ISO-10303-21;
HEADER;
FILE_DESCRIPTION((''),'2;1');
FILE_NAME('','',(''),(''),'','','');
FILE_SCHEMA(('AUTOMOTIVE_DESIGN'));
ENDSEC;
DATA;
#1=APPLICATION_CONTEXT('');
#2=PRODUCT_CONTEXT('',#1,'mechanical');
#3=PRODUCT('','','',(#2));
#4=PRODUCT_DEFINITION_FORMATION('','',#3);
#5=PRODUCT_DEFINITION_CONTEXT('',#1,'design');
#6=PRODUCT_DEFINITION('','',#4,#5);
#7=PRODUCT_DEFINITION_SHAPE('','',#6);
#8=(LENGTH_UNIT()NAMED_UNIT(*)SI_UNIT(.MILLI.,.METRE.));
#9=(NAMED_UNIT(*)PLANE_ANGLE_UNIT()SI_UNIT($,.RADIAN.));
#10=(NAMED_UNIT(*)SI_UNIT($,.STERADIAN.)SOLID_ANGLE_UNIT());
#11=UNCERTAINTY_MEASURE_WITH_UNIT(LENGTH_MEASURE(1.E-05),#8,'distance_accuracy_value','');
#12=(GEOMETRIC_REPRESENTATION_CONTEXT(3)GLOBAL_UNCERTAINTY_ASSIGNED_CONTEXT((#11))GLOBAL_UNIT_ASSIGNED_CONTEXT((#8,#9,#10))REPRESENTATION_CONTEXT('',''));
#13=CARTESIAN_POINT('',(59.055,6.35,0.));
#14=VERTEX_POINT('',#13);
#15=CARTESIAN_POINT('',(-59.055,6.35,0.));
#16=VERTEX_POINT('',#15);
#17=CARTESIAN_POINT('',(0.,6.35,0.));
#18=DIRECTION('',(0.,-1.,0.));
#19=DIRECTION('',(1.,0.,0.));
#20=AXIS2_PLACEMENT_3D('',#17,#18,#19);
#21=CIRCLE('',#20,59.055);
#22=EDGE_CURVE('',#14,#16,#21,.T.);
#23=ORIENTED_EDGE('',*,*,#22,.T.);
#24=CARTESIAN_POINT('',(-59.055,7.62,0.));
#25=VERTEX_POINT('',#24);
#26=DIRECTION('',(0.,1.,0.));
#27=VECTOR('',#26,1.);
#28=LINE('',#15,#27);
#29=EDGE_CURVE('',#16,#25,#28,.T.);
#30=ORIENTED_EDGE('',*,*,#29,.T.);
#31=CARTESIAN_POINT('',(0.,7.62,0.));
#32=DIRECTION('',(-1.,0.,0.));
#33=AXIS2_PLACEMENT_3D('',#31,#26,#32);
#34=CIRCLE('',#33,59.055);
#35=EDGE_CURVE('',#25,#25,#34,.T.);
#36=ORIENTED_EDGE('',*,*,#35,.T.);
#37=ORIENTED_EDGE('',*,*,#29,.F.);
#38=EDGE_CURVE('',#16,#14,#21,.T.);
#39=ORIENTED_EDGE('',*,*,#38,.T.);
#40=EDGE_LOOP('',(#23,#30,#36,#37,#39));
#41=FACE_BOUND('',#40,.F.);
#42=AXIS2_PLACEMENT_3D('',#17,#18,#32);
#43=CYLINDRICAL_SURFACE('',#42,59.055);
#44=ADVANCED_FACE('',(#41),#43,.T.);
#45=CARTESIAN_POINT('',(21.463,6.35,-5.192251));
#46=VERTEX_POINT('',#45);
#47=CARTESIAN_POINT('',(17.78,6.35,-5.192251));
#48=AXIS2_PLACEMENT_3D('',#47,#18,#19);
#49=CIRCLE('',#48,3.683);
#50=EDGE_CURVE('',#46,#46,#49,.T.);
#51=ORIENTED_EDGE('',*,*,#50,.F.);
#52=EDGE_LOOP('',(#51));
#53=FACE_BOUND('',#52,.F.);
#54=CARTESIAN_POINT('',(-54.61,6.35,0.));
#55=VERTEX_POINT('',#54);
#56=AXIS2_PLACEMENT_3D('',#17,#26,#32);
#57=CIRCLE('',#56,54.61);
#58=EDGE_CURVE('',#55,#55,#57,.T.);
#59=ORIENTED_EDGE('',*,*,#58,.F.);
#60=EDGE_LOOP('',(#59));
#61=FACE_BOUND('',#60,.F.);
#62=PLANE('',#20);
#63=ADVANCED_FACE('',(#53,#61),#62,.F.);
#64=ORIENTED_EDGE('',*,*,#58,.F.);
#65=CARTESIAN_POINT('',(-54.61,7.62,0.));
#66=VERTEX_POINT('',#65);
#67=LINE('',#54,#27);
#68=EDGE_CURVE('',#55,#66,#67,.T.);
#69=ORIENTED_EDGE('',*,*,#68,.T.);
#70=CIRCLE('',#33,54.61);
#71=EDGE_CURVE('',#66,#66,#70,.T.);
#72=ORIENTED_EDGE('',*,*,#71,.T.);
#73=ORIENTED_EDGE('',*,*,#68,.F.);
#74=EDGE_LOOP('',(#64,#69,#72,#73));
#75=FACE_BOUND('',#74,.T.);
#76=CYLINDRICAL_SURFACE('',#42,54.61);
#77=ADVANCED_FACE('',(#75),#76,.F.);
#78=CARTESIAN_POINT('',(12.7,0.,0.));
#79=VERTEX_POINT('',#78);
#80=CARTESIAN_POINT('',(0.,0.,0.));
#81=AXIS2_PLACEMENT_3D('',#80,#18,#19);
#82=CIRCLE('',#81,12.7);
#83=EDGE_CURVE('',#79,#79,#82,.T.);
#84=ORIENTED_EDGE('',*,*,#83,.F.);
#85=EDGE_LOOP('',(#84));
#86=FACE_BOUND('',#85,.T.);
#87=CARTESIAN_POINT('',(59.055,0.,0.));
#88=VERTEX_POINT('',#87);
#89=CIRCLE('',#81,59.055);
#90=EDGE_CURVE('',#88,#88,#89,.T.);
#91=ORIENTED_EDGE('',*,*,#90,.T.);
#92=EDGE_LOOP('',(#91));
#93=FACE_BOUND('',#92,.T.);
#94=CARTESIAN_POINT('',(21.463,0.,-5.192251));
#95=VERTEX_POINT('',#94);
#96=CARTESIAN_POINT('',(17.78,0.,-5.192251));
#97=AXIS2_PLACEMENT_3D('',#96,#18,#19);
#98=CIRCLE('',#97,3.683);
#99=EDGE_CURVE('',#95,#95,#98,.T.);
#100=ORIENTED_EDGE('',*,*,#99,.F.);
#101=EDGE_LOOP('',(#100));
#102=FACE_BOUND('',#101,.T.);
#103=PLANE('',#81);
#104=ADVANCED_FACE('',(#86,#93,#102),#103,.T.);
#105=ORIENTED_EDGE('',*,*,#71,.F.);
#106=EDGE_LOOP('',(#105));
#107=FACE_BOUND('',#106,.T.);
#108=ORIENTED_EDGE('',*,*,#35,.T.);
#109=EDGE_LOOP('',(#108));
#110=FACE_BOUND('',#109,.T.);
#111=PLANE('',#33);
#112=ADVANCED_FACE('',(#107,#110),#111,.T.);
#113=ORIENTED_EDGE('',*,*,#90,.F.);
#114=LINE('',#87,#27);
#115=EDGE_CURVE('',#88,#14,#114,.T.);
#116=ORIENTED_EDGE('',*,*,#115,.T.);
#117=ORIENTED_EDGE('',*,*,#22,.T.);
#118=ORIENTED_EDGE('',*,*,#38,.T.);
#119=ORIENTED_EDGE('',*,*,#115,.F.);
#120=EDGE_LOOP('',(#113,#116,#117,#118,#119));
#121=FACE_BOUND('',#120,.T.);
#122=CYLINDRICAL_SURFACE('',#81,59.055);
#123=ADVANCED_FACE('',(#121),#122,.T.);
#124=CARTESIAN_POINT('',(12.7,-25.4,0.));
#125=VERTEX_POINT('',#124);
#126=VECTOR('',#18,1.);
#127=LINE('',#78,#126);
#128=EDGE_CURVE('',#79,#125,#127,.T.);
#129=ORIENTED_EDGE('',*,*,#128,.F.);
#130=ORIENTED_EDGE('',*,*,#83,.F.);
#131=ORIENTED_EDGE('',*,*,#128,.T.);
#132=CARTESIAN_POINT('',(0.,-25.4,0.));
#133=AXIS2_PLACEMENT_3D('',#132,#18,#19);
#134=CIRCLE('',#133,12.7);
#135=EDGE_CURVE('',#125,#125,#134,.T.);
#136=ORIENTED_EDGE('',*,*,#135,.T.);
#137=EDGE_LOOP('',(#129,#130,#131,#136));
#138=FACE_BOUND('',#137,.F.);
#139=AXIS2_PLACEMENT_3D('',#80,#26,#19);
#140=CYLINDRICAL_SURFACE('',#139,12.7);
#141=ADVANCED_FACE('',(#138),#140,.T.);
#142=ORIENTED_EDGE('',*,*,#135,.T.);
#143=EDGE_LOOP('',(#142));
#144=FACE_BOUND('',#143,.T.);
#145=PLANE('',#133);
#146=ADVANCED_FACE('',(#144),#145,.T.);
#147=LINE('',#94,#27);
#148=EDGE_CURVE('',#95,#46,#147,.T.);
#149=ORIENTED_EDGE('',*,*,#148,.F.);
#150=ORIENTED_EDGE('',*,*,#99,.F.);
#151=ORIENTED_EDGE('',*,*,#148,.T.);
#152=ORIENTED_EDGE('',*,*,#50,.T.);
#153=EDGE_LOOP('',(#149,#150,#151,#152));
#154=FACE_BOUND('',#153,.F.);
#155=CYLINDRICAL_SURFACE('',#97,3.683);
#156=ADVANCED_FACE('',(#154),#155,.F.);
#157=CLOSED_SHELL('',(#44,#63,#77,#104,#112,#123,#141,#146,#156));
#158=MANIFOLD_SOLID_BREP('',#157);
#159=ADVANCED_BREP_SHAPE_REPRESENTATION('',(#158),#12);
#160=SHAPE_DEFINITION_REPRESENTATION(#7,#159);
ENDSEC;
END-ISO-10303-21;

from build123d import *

# Parameters (mm, degrees)
F1_R     = 12.7
F2_DEPTH = 25.4
F0_R     = 59.055
F3_DEPTH = 6.35
F4_R     = 3.683
F5_DEPTH = 6.351
F6_R     = 59.055
F6_R_2   = 54.61
F7_DEPTH = 1.27


with BuildPart() as f2:
    # F1 (on Front) → F2 (new body)
    with BuildSketch(Plane.XZ):
        Circle(F1_R)
    extrude(amount=F2_DEPTH)

    # F0 (on Front) → F3 (join)
    with BuildSketch(Plane.XZ):
        Circle(F0_R)
    extrude(amount=-F3_DEPTH)

    # F4 (on Front) → F5 (cut, through all)
    with BuildSketch(Plane.XZ):
        with Locations((17.78, -5.192251)):
            Circle(F4_R)
    extrude(amount=-F5_DEPTH, mode=Mode.SUBTRACT)

    # F6 (on face) → F7 (join)
    with BuildSketch(Plane(origin=(0, 6.35, 0), x_dir=(-1, 0, 0), z_dir=(0, 1, 0))):
        Circle(F6_R)
        Circle(F6_R_2, mode=Mode.SUBTRACT)
    extrude(amount=F7_DEPTH)


solid = f2.part
